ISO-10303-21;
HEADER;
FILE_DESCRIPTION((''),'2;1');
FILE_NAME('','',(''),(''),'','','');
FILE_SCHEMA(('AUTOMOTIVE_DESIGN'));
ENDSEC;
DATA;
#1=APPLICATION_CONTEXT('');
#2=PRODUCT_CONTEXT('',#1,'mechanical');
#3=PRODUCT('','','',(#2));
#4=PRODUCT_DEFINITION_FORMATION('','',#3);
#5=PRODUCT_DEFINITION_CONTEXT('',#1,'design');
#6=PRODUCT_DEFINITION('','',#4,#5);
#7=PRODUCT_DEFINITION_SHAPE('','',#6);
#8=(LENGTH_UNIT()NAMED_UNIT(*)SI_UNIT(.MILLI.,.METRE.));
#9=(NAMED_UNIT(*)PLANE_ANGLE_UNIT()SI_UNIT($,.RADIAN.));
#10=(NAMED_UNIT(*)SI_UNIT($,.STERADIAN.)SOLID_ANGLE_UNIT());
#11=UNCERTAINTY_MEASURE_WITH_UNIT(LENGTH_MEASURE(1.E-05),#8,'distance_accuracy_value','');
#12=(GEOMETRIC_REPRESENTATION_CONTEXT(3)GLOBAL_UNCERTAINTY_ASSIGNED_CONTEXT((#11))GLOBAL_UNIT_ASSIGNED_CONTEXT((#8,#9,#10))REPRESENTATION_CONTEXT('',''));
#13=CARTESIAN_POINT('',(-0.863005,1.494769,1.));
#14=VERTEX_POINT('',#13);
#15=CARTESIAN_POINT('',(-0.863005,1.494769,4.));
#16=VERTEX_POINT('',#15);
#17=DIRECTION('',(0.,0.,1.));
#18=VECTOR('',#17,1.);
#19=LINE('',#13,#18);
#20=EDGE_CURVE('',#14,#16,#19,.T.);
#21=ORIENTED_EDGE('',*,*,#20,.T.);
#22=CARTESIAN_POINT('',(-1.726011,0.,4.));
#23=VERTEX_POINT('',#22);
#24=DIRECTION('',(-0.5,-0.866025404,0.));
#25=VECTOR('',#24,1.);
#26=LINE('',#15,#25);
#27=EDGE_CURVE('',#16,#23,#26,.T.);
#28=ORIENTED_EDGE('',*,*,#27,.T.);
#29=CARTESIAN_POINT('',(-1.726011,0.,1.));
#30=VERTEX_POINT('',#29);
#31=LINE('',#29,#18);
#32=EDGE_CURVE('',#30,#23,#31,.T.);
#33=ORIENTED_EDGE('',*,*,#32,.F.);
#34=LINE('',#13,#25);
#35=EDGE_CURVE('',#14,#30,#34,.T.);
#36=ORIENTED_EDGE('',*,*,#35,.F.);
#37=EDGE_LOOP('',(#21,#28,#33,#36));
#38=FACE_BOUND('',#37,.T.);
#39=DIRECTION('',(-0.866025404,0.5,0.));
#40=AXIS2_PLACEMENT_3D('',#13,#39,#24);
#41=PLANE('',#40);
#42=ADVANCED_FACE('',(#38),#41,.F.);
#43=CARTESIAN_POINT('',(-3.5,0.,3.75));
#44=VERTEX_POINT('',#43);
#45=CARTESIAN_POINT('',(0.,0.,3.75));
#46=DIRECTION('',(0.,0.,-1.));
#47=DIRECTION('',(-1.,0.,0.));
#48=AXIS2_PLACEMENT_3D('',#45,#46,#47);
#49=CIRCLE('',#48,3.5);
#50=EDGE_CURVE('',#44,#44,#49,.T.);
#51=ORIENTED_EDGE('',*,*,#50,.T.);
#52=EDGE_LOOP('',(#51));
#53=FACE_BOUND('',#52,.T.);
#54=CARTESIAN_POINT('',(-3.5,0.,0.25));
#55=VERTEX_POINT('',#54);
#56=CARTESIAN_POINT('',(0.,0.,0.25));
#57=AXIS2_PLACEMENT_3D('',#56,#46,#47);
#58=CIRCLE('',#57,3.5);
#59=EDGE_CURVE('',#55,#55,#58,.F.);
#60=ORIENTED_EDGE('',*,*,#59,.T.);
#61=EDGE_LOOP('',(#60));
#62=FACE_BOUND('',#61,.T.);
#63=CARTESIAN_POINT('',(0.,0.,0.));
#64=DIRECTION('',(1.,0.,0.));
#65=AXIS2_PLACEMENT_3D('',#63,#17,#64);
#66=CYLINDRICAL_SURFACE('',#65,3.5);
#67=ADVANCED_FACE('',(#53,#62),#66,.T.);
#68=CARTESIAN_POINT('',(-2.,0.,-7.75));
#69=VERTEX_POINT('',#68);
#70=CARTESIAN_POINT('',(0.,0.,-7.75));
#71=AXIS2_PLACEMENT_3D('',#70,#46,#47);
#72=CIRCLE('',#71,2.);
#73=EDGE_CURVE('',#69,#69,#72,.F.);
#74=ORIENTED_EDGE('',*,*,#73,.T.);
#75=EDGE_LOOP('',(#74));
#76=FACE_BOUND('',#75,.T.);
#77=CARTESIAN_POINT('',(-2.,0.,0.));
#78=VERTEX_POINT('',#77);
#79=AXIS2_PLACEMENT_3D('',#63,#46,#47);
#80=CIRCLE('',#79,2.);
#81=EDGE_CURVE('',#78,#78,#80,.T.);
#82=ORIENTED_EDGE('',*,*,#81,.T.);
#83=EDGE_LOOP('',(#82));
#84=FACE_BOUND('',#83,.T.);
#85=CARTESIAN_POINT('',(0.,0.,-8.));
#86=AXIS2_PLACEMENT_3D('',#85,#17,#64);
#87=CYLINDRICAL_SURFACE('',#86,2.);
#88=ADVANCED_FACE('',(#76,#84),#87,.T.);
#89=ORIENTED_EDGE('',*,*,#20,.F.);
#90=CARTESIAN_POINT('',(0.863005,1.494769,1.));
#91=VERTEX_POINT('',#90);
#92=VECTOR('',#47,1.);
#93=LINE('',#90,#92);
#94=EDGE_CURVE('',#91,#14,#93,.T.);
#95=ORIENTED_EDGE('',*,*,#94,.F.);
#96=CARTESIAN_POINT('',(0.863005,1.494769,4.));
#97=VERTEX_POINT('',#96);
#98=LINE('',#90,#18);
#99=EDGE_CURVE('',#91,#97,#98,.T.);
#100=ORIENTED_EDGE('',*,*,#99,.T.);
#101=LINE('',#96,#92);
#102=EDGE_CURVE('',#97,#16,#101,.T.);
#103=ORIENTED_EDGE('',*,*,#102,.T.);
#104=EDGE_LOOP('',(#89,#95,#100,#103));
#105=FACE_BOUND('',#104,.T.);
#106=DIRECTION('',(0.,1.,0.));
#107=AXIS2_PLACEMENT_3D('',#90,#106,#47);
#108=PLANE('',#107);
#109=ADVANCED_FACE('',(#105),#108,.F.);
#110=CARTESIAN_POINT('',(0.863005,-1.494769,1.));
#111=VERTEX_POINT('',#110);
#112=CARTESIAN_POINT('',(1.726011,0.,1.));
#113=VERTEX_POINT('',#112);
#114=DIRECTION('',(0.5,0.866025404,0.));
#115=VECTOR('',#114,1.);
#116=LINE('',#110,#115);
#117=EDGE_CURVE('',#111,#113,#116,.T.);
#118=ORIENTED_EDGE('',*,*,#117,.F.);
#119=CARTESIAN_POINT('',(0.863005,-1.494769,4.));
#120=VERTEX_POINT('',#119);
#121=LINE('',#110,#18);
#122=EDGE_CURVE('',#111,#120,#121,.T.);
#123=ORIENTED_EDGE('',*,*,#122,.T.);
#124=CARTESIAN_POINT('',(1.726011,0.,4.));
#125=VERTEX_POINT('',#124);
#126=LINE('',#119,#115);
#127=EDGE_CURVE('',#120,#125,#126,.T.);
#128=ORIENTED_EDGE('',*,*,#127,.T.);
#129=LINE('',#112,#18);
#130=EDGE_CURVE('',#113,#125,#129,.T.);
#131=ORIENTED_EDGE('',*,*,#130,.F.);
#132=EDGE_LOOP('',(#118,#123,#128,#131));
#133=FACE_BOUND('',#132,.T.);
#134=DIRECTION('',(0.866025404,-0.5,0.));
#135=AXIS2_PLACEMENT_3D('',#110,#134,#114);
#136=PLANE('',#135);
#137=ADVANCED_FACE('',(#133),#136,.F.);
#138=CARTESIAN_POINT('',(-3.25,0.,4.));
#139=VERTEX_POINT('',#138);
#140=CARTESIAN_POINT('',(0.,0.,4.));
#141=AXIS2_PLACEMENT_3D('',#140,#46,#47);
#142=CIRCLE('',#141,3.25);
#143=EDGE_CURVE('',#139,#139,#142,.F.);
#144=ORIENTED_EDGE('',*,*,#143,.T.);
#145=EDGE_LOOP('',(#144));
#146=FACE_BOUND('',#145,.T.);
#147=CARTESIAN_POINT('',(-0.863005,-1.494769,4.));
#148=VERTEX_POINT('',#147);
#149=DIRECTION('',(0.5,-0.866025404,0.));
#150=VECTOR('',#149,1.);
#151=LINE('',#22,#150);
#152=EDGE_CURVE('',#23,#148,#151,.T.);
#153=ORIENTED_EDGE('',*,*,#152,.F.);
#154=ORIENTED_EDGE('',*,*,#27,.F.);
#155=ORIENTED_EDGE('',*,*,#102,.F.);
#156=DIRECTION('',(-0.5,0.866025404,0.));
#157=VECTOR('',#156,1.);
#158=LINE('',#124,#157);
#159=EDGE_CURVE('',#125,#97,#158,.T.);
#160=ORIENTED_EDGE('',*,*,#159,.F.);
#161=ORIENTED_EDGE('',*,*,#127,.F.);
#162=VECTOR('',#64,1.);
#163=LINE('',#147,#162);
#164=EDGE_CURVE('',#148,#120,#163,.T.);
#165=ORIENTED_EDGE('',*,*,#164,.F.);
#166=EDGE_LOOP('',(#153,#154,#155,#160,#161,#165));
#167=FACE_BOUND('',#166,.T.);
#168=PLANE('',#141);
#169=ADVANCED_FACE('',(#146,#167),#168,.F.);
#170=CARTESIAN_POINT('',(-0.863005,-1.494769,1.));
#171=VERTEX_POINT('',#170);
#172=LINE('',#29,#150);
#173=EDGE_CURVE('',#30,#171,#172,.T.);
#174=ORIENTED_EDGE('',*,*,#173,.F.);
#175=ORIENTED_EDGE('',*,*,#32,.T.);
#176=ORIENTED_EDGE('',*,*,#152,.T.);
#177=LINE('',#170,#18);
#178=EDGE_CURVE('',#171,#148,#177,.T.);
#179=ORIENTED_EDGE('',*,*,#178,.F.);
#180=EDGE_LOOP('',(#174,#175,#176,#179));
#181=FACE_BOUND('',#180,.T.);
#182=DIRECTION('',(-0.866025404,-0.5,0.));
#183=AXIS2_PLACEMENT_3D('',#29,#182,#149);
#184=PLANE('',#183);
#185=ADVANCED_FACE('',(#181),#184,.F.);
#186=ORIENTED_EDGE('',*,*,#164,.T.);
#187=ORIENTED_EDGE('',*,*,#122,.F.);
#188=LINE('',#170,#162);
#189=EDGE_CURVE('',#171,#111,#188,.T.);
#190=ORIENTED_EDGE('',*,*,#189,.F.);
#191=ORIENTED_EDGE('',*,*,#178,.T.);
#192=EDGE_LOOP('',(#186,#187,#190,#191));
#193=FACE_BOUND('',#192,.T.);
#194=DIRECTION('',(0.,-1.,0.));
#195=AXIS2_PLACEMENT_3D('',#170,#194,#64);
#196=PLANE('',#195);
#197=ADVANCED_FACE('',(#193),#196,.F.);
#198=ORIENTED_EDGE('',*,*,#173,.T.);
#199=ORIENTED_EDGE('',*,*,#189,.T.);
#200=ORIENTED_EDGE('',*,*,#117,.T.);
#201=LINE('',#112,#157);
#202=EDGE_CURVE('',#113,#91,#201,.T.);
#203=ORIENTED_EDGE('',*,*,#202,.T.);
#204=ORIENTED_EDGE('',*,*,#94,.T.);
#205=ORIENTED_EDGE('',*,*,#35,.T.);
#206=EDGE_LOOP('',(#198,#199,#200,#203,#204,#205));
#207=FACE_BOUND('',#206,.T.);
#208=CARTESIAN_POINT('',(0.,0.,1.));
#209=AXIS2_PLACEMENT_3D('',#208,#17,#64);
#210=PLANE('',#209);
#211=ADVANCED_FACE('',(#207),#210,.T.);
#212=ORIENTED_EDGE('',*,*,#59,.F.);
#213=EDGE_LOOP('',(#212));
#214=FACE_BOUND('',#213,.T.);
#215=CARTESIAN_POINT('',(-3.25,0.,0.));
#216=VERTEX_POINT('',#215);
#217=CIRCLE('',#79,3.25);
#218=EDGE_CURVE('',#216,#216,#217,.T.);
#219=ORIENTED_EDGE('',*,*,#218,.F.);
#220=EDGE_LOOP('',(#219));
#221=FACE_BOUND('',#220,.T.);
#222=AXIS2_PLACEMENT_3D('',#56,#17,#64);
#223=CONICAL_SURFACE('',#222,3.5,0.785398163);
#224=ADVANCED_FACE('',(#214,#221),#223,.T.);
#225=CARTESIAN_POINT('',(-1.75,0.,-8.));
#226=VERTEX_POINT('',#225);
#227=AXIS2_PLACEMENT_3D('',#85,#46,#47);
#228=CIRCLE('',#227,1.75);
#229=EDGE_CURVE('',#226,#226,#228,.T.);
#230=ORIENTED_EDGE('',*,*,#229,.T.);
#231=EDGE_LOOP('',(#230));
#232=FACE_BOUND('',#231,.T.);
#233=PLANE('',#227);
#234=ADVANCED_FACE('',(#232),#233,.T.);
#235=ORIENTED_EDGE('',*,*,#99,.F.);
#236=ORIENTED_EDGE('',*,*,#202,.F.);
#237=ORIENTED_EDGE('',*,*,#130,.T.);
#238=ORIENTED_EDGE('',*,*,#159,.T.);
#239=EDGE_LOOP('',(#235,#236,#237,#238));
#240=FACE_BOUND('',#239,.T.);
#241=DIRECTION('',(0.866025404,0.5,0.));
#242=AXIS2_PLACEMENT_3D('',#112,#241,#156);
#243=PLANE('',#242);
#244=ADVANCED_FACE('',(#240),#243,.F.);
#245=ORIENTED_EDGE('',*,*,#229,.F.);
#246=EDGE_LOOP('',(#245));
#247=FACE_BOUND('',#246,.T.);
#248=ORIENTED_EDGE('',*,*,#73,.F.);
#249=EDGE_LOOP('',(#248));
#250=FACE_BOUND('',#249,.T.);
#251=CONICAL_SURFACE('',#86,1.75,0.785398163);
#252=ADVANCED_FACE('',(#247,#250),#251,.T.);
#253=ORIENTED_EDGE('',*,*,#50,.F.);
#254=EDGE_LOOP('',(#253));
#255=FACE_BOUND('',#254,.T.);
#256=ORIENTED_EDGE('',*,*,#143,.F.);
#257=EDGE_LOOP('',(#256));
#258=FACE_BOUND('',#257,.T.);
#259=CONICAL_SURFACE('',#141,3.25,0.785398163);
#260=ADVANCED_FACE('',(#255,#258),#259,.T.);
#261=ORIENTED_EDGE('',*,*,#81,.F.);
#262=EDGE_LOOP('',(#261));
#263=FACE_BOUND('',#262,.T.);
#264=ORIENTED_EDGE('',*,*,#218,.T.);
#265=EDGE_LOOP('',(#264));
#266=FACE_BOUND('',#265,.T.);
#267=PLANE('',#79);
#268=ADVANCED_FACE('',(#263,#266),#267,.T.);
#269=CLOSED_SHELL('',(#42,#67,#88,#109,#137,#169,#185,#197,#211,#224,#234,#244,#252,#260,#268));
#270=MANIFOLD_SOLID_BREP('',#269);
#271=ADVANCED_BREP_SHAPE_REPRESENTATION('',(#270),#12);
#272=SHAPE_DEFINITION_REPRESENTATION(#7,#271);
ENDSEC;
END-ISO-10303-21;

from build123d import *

# Parameters (mm, degrees)
SKETCH1_R           = 3.5
BOSS_EXTRUDE1_DEPTH = 4
SKETCH2_R           = 2
BOSS_EXTRUDE2_DEPTH = 8
CUT_EXTRUDE1_DEPTH  = 3
CHAMFER1_SIZE       = 0.25


with BuildPart() as part:
    # Sketch1 → Boss-Extrude1 (new body)
    with BuildSketch(Plane.XY.offset(4)):
        Circle(SKETCH1_R)
    extrude(amount=-BOSS_EXTRUDE1_DEPTH)

    # Sketch2 → Boss-Extrude2 (add)
    with BuildSketch(Plane(origin=(0, 0, 0), x_dir=(-1, 0, 0), z_dir=(0, 0, -1))):
        Circle(SKETCH2_R)
    extrude(amount=BOSS_EXTRUDE2_DEPTH)

    # Sketch3 → Cut-Extrude1 (cut)
    with BuildSketch(Plane.XY.offset(4)):
        Polygon((-1.726010921, 0), (-0.863005461, -1.494769305), (0.863005461, -1.494769305), (1.726010921, 0), (0.863005461, 1.494769305), (-0.863005461, 1.494769305), align=None)
    extrude(amount=-CUT_EXTRUDE1_DEPTH, mode=Mode.SUBTRACT)

    # Chamfer1
    chamfer1_edges = [part.edges().sort_by_distance(p)[0] for p in [
        (-3.5, 0, 4),
        (2, 0, -8),
        (-3.5, 0, 0),
    ]]
    chamfer(chamfer1_edges, length=CHAMFER1_SIZE)


solid = part.part
